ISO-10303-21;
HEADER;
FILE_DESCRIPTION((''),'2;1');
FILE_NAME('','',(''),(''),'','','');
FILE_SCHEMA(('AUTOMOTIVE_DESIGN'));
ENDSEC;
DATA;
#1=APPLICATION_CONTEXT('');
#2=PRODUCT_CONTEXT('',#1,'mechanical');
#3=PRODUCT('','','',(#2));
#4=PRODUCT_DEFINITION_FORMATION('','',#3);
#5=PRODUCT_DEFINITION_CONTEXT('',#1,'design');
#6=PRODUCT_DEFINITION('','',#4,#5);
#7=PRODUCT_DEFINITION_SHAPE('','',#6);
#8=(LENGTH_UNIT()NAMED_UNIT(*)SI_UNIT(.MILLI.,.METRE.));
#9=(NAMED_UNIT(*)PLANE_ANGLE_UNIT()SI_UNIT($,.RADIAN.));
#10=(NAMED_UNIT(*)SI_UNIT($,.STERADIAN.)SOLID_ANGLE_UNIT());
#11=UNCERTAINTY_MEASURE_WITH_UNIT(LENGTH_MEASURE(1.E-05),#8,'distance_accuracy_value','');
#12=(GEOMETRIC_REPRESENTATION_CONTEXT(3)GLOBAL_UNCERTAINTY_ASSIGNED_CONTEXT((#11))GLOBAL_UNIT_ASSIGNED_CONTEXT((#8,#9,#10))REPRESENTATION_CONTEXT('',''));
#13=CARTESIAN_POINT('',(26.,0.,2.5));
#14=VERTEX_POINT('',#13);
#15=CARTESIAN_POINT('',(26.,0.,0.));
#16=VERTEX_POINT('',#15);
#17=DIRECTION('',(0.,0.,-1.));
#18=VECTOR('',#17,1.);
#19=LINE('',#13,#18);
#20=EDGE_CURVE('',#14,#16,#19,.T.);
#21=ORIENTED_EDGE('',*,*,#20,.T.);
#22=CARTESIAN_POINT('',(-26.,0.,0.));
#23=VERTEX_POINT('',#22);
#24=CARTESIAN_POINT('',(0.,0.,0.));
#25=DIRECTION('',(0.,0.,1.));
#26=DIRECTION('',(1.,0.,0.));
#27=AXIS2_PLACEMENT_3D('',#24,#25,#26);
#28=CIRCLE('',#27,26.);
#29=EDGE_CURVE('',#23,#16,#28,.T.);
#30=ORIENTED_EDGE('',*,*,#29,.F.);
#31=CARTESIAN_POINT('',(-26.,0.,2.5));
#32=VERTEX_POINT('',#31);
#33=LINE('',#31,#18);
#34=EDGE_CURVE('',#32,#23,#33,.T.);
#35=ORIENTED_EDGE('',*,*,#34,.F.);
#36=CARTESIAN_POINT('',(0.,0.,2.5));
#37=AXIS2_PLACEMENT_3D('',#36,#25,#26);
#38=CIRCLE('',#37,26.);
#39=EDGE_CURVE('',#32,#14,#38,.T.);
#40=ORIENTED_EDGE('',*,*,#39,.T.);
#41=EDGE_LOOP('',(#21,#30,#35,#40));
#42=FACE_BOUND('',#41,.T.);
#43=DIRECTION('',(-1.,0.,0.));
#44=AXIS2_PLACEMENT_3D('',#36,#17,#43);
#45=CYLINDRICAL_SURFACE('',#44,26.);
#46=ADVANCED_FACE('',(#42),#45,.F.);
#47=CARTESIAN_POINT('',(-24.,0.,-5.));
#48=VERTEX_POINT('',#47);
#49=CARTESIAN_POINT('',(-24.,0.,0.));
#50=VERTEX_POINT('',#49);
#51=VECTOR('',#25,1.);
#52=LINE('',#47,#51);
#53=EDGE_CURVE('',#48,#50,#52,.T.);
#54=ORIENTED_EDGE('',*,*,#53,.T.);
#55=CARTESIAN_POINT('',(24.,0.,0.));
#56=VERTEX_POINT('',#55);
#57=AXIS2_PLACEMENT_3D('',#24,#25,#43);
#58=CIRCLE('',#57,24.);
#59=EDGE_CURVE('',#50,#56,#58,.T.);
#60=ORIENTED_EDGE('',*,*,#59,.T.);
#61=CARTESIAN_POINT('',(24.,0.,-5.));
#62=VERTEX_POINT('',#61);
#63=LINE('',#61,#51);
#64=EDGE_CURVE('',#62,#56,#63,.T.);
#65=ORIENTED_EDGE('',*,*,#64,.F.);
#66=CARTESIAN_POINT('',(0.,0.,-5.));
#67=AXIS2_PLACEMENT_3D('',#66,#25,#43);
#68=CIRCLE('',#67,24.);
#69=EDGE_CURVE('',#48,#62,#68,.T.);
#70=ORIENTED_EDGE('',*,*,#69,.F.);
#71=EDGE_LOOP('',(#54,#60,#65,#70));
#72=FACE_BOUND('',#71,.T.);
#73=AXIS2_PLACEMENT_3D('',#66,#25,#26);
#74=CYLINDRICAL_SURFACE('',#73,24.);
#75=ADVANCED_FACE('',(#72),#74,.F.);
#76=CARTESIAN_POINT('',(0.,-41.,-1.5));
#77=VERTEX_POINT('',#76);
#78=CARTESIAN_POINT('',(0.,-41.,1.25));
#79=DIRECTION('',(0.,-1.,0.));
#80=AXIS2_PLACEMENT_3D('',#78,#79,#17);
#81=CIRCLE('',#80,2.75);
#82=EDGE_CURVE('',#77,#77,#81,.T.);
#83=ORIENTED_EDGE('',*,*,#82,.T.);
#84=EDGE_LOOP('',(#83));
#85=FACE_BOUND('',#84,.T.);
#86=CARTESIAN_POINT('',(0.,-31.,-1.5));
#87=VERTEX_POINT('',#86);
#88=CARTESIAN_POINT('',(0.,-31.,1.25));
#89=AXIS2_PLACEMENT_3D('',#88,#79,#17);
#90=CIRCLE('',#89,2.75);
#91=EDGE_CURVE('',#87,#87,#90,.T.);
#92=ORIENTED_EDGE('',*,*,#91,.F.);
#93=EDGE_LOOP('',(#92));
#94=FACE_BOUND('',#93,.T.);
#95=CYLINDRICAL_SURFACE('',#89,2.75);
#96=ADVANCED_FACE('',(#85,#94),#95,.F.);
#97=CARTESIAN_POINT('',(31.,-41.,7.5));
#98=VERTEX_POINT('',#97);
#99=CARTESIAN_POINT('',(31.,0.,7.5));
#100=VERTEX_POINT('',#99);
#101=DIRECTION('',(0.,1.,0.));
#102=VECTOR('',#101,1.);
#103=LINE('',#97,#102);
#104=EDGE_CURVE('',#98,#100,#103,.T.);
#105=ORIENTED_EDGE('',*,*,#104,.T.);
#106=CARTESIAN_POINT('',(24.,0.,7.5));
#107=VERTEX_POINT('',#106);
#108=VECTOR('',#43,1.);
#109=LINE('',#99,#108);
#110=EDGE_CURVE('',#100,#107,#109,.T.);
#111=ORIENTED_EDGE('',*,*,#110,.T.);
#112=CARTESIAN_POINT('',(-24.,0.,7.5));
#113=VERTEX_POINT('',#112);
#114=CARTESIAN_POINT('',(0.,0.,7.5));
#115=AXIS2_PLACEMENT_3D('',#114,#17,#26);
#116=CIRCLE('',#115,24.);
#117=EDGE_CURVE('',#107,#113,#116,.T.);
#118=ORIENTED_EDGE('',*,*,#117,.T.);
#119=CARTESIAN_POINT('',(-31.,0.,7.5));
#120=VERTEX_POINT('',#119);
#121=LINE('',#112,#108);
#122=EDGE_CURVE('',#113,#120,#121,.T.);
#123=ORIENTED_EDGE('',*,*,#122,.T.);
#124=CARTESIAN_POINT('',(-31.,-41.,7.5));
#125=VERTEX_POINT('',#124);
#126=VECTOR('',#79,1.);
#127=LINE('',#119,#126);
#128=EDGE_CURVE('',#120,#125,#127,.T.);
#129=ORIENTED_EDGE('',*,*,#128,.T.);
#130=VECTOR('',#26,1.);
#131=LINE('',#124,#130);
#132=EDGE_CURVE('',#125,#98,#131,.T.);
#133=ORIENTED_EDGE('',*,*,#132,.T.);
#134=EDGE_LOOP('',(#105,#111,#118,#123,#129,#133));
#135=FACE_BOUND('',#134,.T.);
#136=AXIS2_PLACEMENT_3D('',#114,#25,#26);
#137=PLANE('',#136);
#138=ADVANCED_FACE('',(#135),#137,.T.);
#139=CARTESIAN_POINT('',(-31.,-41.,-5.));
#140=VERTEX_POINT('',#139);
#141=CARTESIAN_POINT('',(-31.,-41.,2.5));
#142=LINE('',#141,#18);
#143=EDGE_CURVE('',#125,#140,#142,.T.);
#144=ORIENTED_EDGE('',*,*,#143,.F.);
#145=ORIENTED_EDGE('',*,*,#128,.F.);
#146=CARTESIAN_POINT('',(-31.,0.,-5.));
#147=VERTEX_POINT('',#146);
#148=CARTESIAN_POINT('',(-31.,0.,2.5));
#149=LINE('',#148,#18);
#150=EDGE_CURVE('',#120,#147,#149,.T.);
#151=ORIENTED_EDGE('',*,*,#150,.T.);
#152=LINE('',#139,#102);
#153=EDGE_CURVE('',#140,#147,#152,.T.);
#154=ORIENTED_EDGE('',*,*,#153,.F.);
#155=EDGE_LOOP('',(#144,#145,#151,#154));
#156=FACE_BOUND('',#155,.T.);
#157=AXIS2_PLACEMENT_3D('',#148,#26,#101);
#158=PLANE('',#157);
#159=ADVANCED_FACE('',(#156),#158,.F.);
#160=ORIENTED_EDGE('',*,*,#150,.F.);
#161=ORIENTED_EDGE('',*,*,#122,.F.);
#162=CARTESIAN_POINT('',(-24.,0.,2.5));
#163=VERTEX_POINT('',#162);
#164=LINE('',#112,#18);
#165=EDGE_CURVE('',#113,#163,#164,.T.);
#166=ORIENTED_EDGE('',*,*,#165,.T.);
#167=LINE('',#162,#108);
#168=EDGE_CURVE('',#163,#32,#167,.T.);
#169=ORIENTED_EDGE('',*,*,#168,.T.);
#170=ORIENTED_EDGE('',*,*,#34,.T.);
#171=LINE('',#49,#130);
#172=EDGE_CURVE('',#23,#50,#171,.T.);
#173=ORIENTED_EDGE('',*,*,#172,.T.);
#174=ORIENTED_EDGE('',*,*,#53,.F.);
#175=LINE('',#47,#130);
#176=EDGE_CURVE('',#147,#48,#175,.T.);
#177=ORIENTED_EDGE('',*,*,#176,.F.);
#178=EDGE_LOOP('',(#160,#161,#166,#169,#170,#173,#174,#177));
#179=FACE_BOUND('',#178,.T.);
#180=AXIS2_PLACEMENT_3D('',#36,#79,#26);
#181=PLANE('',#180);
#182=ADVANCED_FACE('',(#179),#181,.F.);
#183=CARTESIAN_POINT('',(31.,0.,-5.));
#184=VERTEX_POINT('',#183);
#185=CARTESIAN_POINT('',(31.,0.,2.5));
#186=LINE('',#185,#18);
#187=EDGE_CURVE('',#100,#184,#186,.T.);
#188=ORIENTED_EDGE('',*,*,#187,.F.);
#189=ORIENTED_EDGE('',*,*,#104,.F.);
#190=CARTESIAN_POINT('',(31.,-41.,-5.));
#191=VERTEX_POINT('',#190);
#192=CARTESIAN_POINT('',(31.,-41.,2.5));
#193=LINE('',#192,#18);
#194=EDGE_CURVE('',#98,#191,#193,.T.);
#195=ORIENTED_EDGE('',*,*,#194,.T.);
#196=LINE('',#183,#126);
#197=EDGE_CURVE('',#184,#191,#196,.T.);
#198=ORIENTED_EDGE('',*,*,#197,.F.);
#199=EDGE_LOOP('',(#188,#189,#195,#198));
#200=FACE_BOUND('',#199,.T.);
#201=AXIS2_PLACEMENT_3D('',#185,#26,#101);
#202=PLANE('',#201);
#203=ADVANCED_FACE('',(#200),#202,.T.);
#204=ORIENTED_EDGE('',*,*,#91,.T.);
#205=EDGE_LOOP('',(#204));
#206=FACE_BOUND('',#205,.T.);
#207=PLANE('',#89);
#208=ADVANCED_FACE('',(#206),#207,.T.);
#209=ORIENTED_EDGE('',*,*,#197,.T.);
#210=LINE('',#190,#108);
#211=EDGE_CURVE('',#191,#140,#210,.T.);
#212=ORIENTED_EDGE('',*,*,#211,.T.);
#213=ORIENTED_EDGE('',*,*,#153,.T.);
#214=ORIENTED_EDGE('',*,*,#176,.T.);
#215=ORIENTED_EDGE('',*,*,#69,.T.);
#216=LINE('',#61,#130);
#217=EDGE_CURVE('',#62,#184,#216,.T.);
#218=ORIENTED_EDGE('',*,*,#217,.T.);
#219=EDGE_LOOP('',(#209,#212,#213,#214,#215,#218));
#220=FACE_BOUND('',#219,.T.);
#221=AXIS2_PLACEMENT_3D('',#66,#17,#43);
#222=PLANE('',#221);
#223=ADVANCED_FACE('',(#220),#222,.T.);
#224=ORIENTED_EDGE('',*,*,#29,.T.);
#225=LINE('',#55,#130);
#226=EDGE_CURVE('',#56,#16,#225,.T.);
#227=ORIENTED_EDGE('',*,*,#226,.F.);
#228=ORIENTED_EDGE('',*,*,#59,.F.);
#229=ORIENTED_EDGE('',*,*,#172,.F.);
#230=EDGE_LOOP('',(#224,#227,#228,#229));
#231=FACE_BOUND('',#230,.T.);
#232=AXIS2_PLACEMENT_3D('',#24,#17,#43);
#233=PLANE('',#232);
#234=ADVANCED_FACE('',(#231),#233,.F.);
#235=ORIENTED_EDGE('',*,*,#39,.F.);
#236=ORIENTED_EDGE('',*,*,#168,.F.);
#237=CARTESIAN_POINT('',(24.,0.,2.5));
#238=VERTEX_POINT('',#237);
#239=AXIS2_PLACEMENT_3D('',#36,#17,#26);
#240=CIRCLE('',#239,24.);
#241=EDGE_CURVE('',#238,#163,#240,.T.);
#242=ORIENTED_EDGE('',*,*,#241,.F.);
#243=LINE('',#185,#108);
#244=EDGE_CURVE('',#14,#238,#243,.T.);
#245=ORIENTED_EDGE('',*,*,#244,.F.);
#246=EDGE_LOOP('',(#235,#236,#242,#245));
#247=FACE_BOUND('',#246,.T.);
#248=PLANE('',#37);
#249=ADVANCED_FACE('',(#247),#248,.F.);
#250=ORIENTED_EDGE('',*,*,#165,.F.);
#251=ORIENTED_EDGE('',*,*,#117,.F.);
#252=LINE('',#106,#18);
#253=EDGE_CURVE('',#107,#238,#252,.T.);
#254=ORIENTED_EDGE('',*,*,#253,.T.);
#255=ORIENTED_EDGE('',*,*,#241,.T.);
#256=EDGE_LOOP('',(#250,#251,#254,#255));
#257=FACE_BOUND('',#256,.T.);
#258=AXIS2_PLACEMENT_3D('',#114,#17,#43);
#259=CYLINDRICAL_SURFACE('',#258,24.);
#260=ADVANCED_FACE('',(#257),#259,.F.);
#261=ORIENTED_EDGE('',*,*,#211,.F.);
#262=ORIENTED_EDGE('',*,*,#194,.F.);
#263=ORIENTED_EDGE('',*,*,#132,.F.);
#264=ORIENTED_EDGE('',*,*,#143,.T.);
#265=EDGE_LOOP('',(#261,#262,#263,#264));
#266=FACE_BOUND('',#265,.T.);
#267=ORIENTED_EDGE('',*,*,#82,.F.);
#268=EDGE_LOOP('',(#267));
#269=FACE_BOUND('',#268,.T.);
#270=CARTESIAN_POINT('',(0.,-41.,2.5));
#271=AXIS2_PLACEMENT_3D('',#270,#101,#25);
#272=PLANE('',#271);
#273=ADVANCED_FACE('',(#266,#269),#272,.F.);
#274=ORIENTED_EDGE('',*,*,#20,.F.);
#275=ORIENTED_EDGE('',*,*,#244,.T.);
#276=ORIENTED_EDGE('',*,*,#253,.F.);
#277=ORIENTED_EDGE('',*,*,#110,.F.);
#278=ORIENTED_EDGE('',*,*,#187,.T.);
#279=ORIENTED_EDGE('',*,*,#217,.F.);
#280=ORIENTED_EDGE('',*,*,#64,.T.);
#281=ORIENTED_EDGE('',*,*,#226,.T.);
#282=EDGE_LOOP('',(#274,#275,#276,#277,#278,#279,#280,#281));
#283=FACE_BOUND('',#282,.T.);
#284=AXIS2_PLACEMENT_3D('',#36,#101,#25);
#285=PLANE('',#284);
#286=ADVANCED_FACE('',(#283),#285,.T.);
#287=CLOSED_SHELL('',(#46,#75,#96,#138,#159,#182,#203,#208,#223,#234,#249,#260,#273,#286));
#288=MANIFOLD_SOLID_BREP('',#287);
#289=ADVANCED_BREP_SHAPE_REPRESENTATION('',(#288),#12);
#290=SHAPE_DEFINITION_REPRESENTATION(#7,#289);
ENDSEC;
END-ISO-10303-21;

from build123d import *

# Parameters (mm, degrees)
BOSS_EXTRUDE2_DEPTH = 2.5
BOSS_EXTRUDE3_DEPTH = 5
BOSS_EXTRUDE4_START = 5
BOSS_EXTRUDE4_DEPTH = 5
SKETCH4_R           = 2.75
CUT_EXTRUDE1_DEPTH  = 10


with BuildPart() as part:
    # Sketch1 → Boss-Extrude2 (new body)
    with BuildSketch(Plane.XY):
        with BuildLine():
            ThreePointArc((-26, 0), (0, -26), (26, 0))
            Line((26, 0), (31, 0))
            Line((31, 0), (31, -41))
            Line((31, -41), (-31, -41))
            Line((-31, -41), (-31, 0))
            Line((-31, 0), (-26, 0))
        make_face()
    extrude(amount=BOSS_EXTRUDE2_DEPTH)

    # Sketch2 → Boss-Extrude3 (add)
    with BuildSketch(Plane.XY.offset(2.5)):
        with BuildLine():
            Line((-24, 0), (-31, 0))
            Line((-31, 0), (-31, -41))
            Line((-31, -41), (31, -41))
            Line((31, -41), (31, 0))
            Line((31, 0), (24, 0))
            ThreePointArc((24, 0), (0, -24), (-24, 0))
        make_face()
    extrude(amount=BOSS_EXTRUDE3_DEPTH)

    # Sketch3 → Boss-Extrude4 (add)
    with BuildSketch(Plane(origin=(0, 0, 0), x_dir=(-1, 0, 0), z_dir=(0, 0, -1)).offset(BOSS_EXTRUDE4_START)):
        with BuildLine():
            Line((-24, 0), (-31, 0))
            Line((-31, 0), (-31, -41))
            Line((-31, -41), (31, -41))
            Line((31, -41), (31, 0))
            Line((31, 0), (24, 0))
            ThreePointArc((24, 0), (0, -24), (-24, 0))
        make_face()
    extrude(amount=-BOSS_EXTRUDE4_DEPTH)

    # Sketch4 → Cut-Extrude1 (cut)
    with BuildSketch(Plane(origin=(0, -41, 0), x_dir=(-1, 0, 0), z_dir=(0, -1, 0))):
        with Locations(Location((0, -1.25, 0), (0, 0, 90))):
            Circle(SKETCH4_R)
    extrude(amount=-CUT_EXTRUDE1_DEPTH, mode=Mode.SUBTRACT)


solid = part.part
